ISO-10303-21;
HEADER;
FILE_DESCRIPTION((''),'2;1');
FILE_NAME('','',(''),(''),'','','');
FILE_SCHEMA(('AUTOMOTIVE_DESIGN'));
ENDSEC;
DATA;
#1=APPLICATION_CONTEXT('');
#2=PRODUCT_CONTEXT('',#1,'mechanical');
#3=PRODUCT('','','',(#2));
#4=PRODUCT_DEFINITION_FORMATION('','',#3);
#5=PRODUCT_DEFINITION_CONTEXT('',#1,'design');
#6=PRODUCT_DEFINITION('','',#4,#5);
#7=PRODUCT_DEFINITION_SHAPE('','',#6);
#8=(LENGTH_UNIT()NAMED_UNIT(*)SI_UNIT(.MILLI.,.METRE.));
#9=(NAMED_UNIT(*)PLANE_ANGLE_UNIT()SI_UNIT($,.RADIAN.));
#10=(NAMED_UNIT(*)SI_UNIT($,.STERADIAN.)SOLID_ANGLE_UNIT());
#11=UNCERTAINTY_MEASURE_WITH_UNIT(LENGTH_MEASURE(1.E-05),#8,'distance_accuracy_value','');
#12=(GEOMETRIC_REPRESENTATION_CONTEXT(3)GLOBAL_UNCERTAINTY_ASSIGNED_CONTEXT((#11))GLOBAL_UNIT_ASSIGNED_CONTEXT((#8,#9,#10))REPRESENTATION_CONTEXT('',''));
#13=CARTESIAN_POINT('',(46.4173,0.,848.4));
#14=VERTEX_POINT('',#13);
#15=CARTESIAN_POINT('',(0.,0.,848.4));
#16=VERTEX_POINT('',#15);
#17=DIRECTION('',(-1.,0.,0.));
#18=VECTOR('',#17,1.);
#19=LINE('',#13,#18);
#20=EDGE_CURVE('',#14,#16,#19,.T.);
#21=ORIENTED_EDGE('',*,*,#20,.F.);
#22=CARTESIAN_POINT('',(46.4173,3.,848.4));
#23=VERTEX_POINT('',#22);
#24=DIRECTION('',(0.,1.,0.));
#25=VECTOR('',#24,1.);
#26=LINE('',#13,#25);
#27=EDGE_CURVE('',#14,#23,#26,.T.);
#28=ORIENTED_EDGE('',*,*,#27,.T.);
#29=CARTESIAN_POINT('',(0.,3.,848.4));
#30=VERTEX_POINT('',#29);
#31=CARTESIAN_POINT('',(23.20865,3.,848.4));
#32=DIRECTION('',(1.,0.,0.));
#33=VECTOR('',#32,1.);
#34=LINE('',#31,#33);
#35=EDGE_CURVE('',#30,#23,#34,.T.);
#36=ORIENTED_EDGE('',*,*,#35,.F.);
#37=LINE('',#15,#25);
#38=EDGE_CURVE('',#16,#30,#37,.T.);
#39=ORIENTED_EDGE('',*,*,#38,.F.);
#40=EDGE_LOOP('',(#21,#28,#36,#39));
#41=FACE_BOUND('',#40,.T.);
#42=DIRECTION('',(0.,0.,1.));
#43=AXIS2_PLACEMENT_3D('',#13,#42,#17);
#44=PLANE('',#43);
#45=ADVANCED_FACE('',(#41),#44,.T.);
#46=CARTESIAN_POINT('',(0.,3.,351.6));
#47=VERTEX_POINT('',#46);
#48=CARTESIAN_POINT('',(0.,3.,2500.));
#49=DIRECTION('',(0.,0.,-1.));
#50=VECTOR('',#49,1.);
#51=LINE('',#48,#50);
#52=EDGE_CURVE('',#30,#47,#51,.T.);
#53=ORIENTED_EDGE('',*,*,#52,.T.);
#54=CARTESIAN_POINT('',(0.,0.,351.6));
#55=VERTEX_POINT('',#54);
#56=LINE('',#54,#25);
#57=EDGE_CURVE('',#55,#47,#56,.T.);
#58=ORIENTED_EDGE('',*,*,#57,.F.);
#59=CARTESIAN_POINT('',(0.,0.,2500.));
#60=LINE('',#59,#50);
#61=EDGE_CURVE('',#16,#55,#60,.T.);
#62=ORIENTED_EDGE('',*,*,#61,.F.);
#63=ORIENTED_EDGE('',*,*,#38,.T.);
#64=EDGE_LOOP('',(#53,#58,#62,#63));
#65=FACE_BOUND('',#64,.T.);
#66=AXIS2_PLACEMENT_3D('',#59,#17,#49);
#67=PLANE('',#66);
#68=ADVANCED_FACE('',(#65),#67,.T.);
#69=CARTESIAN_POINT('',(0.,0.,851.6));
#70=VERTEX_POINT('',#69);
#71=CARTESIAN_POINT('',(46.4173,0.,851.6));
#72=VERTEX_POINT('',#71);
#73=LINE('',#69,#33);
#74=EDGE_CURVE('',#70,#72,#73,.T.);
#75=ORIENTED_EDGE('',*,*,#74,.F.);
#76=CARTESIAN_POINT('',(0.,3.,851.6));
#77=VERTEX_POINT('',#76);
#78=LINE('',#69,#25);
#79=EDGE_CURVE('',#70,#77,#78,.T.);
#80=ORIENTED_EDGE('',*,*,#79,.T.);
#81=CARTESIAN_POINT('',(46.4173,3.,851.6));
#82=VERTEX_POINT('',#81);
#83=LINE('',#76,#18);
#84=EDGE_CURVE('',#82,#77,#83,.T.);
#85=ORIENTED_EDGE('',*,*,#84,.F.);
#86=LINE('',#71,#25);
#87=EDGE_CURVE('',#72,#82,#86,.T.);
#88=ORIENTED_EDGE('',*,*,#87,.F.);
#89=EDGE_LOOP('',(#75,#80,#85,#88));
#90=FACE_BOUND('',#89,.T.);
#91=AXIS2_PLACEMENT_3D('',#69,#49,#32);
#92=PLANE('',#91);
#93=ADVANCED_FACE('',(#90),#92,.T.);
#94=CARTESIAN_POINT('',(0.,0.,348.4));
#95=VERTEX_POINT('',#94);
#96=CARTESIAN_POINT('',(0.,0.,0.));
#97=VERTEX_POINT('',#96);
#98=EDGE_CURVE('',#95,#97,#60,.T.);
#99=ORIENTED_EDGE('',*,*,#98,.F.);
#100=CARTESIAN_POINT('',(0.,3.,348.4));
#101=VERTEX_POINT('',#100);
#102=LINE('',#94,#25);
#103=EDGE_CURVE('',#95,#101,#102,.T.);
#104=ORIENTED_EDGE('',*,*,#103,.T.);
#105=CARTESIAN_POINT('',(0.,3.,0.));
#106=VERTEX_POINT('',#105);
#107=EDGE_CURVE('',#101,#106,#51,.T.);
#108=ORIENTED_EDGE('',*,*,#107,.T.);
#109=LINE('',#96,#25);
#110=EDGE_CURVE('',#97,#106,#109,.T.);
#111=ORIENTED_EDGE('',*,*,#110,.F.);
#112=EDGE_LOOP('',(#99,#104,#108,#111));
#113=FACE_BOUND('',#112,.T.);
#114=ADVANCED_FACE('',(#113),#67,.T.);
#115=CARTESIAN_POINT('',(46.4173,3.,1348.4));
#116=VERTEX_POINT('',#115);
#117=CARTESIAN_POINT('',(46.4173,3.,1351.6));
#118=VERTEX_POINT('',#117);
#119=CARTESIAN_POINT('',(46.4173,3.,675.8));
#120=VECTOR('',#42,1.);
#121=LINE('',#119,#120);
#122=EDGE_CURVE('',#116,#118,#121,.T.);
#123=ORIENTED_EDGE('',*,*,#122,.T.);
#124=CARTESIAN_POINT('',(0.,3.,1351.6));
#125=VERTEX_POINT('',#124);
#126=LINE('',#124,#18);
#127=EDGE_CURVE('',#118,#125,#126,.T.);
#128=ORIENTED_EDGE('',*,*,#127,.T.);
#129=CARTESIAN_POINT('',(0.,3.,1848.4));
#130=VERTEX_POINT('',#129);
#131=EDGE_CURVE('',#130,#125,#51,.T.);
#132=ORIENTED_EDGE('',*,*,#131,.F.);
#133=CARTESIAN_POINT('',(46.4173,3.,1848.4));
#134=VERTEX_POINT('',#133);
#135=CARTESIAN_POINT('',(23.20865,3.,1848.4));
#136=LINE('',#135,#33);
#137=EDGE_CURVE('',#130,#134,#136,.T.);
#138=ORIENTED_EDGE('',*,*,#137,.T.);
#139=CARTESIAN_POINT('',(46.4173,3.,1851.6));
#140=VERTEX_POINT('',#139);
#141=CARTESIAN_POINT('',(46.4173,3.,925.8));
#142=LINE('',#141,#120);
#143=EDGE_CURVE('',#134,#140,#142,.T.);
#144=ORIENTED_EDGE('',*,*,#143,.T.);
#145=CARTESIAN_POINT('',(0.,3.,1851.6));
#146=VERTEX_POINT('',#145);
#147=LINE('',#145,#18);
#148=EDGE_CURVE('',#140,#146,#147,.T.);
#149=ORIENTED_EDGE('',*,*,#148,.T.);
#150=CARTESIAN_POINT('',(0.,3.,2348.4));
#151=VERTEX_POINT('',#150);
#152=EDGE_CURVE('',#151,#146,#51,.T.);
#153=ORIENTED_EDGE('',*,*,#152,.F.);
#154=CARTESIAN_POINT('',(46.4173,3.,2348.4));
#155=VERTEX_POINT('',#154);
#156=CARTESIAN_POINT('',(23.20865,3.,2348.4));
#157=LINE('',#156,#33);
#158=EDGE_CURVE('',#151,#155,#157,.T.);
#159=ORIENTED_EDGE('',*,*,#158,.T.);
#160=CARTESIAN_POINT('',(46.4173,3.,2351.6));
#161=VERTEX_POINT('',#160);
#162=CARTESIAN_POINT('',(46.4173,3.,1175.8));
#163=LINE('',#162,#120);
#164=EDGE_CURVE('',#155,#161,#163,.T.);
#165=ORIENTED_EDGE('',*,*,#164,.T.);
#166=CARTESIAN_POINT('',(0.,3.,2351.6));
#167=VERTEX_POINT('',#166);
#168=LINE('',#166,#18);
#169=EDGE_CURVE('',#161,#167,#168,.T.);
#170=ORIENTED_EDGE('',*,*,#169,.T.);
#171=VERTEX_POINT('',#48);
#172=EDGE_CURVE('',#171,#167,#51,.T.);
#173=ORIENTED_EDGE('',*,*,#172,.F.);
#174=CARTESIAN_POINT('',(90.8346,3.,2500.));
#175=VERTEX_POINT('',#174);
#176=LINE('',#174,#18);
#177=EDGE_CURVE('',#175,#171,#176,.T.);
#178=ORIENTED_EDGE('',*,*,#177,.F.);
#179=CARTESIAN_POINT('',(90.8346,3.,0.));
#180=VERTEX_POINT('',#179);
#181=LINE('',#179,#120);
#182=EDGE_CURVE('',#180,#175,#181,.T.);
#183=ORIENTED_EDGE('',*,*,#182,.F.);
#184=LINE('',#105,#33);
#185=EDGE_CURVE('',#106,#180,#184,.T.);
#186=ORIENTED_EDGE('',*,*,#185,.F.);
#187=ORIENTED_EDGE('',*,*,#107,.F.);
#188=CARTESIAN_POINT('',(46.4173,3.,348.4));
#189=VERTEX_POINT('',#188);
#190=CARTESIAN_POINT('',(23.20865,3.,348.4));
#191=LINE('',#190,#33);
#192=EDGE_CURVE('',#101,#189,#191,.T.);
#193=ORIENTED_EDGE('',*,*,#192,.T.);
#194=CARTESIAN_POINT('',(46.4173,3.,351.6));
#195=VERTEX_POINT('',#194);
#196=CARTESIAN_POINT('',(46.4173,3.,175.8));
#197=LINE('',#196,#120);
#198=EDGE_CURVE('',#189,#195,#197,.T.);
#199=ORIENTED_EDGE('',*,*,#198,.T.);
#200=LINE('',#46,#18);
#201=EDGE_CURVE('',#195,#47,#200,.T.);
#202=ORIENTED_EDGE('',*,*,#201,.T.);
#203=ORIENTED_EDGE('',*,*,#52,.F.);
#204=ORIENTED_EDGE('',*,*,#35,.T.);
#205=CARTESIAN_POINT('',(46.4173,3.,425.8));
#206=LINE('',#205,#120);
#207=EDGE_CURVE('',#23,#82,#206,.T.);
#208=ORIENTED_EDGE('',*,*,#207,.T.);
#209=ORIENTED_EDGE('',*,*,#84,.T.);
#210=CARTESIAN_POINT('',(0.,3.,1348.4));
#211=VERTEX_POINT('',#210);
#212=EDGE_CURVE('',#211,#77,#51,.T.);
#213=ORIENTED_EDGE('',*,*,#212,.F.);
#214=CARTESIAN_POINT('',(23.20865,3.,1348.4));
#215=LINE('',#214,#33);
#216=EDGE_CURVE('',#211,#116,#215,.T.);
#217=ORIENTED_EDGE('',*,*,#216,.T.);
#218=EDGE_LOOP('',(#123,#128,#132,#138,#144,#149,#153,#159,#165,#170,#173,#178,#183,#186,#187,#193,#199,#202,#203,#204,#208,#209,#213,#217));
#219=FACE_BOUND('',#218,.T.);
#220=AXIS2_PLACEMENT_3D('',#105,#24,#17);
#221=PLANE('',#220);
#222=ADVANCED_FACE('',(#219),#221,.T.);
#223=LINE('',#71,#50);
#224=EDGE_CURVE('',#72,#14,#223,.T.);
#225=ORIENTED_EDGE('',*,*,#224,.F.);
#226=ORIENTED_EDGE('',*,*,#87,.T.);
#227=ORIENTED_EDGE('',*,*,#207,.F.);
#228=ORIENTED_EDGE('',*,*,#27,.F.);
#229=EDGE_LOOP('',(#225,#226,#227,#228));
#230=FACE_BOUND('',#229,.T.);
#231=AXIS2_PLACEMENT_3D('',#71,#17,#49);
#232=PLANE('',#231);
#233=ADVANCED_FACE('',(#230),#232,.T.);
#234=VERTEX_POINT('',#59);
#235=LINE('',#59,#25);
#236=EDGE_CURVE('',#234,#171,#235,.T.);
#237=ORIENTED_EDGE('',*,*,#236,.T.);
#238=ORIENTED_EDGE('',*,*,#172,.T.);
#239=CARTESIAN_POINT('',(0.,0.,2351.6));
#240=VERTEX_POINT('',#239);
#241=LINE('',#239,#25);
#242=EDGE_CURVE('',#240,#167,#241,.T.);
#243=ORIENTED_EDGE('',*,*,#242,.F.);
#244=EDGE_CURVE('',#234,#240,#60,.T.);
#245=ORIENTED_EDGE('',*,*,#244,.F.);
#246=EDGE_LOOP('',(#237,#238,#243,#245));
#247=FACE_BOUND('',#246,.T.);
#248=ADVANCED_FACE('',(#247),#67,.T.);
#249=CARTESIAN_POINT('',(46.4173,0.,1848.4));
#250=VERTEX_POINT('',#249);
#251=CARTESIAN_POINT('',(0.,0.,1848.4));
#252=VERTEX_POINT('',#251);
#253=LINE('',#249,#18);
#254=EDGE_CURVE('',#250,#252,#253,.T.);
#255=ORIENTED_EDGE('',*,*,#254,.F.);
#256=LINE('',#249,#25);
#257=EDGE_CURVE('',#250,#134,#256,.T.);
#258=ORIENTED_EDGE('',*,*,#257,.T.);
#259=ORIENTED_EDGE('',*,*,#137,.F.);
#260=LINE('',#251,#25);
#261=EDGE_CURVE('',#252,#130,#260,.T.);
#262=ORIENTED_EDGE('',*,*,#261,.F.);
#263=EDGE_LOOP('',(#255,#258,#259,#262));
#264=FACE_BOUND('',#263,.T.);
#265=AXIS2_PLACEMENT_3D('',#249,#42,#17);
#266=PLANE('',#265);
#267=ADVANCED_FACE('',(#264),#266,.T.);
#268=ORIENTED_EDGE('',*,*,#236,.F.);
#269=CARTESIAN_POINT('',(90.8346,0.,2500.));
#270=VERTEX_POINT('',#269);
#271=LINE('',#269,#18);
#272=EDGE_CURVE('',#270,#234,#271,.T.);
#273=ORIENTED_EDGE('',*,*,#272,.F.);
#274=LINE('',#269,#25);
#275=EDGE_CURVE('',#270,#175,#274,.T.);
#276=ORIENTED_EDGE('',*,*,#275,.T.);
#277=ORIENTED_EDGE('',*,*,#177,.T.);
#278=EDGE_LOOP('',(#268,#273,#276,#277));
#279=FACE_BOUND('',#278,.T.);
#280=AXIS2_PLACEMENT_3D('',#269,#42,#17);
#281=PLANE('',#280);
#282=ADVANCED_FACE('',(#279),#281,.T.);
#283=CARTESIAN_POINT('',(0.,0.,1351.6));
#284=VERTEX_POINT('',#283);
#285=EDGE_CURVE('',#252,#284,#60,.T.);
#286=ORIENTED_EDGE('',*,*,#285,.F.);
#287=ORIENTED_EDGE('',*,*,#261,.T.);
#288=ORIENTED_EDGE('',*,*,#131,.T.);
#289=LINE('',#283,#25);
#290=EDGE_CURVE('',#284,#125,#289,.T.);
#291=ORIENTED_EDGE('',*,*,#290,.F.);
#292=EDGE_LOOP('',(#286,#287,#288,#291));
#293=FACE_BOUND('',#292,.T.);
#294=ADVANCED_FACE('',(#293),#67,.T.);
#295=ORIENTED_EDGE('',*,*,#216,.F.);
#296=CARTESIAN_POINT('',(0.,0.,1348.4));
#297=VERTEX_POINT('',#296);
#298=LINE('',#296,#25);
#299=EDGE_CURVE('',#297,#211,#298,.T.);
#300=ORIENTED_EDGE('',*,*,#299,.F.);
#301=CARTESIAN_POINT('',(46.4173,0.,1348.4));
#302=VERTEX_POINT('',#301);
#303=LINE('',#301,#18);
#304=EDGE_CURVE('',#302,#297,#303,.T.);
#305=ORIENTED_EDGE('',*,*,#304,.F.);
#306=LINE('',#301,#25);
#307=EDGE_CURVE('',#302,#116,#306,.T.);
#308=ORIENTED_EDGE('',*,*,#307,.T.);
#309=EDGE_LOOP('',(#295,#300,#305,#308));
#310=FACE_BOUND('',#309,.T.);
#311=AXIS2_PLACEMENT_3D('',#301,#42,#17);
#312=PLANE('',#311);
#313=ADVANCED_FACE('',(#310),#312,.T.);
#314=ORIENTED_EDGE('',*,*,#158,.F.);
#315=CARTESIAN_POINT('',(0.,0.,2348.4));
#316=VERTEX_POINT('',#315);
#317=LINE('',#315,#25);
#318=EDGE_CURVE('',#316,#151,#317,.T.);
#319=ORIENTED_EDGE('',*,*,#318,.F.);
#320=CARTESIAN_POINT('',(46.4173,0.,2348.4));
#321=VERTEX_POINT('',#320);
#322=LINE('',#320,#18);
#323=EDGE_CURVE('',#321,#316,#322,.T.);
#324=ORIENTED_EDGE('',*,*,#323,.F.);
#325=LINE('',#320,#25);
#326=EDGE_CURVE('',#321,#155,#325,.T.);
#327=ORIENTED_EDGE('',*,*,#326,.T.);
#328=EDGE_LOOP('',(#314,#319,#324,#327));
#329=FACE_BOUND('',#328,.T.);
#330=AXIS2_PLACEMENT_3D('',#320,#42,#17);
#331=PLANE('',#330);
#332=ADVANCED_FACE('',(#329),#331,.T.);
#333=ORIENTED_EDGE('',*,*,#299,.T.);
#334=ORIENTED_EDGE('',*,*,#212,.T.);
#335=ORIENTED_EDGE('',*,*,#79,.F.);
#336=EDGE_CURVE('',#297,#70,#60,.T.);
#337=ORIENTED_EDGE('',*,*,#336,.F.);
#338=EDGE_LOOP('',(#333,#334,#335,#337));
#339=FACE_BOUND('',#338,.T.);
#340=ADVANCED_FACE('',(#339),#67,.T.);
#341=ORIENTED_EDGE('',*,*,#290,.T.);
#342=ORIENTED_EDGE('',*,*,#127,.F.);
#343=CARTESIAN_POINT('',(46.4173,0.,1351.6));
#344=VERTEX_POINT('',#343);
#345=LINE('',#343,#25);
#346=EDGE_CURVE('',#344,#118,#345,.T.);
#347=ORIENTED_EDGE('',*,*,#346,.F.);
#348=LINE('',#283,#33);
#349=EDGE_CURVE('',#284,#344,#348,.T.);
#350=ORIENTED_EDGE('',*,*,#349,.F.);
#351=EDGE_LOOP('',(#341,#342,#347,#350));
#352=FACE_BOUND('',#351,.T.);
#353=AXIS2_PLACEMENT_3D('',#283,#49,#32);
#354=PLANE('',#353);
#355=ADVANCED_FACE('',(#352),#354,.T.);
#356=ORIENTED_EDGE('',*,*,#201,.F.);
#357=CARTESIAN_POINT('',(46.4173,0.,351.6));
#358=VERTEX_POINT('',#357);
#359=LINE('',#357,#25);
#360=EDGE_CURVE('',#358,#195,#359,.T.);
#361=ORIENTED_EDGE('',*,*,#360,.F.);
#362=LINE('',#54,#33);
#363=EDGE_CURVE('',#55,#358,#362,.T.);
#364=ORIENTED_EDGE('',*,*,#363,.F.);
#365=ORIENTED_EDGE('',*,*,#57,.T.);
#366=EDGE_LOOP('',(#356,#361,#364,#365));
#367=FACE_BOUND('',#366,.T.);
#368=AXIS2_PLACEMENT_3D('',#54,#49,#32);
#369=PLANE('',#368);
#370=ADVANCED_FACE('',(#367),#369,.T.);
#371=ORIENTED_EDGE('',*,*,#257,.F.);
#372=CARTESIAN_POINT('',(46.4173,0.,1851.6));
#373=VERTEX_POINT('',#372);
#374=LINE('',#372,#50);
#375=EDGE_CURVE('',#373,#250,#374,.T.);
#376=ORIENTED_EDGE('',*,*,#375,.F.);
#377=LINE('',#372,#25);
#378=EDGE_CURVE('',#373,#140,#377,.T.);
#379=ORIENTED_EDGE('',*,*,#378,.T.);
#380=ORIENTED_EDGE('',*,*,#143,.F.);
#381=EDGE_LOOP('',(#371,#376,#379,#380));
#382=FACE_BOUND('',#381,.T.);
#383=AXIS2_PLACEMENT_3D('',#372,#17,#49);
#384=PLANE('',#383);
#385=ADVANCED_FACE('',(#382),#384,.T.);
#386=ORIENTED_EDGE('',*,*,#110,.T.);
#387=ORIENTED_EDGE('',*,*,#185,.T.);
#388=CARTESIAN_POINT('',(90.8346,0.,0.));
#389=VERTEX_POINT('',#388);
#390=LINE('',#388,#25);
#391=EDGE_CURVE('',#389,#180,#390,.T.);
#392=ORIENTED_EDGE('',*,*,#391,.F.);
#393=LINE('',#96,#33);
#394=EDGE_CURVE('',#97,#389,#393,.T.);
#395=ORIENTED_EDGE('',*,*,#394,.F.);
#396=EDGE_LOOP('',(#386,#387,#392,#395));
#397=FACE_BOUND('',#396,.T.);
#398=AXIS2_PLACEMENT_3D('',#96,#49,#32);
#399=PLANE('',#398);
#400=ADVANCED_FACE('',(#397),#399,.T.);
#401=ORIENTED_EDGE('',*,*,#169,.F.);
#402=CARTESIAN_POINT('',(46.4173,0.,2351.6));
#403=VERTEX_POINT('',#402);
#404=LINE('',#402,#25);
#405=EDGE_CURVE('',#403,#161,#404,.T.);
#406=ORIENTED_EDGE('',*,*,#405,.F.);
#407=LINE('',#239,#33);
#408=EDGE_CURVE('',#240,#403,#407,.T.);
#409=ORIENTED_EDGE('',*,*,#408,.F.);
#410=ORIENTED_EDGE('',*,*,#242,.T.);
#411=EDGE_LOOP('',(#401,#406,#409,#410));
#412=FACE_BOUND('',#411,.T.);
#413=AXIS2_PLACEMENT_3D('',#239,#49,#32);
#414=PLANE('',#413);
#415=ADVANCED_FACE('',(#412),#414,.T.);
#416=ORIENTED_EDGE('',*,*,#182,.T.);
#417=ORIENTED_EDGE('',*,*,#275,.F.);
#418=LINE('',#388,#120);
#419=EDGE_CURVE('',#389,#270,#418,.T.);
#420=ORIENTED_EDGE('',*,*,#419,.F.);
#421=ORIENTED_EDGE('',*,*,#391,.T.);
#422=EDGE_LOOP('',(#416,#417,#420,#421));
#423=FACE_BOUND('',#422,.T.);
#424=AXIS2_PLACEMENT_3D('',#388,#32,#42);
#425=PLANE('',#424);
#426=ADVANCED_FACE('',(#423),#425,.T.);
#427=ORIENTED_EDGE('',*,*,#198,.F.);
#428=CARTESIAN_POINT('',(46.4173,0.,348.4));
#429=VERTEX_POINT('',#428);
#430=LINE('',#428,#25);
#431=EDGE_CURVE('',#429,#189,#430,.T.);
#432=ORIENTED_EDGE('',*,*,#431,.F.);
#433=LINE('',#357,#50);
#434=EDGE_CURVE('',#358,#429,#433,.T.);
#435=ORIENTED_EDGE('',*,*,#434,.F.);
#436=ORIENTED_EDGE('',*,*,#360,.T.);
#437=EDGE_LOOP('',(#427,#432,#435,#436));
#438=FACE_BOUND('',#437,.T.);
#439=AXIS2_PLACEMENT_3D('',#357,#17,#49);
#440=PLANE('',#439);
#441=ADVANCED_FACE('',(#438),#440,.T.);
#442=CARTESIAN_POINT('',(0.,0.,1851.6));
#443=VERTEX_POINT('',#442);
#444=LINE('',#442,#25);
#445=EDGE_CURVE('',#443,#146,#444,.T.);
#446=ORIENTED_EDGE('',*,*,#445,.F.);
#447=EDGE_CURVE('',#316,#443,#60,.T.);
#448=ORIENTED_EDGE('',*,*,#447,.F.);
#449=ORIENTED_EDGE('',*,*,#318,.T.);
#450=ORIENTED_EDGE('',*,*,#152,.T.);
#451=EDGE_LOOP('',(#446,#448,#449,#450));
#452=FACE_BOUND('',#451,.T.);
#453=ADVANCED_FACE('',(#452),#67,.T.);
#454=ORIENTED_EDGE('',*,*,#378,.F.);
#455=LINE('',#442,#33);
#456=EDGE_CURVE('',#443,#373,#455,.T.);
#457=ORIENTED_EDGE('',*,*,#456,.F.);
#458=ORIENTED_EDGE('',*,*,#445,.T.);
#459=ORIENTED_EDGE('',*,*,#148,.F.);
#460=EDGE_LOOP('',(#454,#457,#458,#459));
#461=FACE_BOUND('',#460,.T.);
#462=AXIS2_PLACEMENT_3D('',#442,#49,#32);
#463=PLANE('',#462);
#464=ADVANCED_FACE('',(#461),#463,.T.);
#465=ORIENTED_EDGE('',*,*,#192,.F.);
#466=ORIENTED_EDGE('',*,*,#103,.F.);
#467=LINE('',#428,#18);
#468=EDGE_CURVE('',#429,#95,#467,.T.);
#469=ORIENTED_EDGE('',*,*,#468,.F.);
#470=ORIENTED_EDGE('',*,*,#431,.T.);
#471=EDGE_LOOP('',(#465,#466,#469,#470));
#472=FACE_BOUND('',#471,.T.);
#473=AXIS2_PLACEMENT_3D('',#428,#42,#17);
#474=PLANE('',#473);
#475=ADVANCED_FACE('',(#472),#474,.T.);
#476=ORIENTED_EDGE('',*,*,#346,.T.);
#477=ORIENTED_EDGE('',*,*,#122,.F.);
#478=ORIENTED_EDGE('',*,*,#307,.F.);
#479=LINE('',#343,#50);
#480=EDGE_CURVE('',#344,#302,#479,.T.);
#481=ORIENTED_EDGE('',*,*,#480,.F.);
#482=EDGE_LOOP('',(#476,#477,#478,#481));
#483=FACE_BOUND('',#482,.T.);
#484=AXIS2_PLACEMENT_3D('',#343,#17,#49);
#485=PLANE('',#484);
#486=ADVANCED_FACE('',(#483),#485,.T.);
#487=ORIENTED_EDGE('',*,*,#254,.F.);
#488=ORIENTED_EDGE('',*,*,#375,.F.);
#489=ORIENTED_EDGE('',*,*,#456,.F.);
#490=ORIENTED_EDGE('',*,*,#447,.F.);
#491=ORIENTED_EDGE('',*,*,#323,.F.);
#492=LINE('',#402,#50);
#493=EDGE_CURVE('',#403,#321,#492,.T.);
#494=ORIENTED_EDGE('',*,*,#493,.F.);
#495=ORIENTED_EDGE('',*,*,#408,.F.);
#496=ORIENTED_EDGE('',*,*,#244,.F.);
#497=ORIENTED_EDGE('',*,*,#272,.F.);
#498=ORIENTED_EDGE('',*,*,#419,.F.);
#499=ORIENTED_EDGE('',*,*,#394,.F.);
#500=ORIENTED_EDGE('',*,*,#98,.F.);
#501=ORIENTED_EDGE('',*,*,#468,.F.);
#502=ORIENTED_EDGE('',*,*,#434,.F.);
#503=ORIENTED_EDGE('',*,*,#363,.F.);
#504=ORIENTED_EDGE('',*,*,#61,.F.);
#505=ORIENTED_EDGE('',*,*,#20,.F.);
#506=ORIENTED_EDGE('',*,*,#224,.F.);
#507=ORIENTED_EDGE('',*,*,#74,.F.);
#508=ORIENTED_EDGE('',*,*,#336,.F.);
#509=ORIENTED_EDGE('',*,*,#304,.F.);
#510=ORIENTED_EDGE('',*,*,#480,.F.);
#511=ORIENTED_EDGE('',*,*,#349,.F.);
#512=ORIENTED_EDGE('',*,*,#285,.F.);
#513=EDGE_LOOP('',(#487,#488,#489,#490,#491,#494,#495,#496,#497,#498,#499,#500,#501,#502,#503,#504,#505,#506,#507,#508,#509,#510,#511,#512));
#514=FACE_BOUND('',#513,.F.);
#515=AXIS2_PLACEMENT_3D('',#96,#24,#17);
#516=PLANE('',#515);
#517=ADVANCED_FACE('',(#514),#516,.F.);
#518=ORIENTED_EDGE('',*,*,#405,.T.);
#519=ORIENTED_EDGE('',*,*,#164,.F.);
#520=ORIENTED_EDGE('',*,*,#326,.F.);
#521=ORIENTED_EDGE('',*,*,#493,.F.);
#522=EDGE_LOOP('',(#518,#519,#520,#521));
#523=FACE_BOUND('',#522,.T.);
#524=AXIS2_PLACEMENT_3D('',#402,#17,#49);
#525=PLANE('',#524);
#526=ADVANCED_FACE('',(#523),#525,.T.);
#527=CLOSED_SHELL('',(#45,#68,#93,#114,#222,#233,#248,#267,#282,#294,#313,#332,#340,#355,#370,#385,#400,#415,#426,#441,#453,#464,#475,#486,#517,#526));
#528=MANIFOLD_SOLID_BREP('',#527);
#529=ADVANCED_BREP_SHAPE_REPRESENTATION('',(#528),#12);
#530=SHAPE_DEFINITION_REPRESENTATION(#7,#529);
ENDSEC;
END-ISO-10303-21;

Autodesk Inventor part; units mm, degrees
ref_plane "YZ Plane" through (0, 0, 0) normal (1, 0, 0) x (0, 1, 0)
ref_plane "XZ Plane" through (0, 0, 0) normal (0, 1, 0) x (-1, 0, 0)
ref_plane "XY Plane" through (0, 0, 0) normal (0, 0, 1) x (1, 0, 0)
sketch "Sketch6" plane through (0, 0, 0) normal (0, 1, 0) x (-1, 0, 0)
  line L0 (0, 0) -> (-90.8346, 0)
  line L1 (-90.8346, 0) -> (-90.8346, 2500)
  line L2 (-90.8346, 2500) -> (0, 2500)
  line L3 (0, 2500) -> (0, 0)
  dimension "d26" = 90.8346
  dimension "d27" = 2500
extrude "Plate4" add sketch "Sketch6" along normal blind 3
sketch "Sketch7" plane through (0, 0, 0) normal (0, -1, 0) x (1, 0, 0)
  line L0 (0, 2500) -> (90.8346, 2500) projected
  line L1 (0, 0) -> (0, 2500) projected
  line L2 (90.8346, 0) -> (0, 0) projected
  line L3 (90.8346, 2500) -> (90.8346, 0) projected
  line L4 (0, 351.6) -> (46.4173, 351.6)
  line L5 (46.4173, 351.6) -> (46.4173, 348.4)
  line L6 (46.4173, 348.4) -> (0, 348.4)
  line L7 (0, 348.4) -> (0, 351.6)
  point P0 (0, 348.4)
  point P1 (0, 200)
  point P2 (46.4173, 200)
  point P3 (0, 348.4)
  dimension "d29" = 46.4173
  dimension "d30" = 3.2
  dimension "d31" = 348.4
extrude "Extrusion2" cut sketch "Sketch7" against normal through all contours L4 L5 L6 L1
pattern_linear "Rectangular Pattern1" count 5 spacing 500 along (0, 0, 1) of "Extrusion2"
equation "\"d26\" = Stringer1_deep"
equation "\"d28\" = Thickness"
equation "\"BendReliefWidth\" = Thickness"
equation "\"BendReliefDepth\" = 0.5 * Thickness"
equation "\"CornerReliefSize\" = 4 * Thickness"
equation "\"MinimumRemnant\" = 2 * Thickness"
equation "\"TransitionRadius\" = BendRadius"
equation "\"JacobiRadiusSize\" = BendRadius"
equation "\"GapSize\" = Thickness"
equation "\"Stringer1_deep\" = 90.834574"
equation "\"Thickness\" = 3"
equation "\"BendRadius\" = 5"
properties part number "BSH 033 stringer board 1" material "09g2s"
